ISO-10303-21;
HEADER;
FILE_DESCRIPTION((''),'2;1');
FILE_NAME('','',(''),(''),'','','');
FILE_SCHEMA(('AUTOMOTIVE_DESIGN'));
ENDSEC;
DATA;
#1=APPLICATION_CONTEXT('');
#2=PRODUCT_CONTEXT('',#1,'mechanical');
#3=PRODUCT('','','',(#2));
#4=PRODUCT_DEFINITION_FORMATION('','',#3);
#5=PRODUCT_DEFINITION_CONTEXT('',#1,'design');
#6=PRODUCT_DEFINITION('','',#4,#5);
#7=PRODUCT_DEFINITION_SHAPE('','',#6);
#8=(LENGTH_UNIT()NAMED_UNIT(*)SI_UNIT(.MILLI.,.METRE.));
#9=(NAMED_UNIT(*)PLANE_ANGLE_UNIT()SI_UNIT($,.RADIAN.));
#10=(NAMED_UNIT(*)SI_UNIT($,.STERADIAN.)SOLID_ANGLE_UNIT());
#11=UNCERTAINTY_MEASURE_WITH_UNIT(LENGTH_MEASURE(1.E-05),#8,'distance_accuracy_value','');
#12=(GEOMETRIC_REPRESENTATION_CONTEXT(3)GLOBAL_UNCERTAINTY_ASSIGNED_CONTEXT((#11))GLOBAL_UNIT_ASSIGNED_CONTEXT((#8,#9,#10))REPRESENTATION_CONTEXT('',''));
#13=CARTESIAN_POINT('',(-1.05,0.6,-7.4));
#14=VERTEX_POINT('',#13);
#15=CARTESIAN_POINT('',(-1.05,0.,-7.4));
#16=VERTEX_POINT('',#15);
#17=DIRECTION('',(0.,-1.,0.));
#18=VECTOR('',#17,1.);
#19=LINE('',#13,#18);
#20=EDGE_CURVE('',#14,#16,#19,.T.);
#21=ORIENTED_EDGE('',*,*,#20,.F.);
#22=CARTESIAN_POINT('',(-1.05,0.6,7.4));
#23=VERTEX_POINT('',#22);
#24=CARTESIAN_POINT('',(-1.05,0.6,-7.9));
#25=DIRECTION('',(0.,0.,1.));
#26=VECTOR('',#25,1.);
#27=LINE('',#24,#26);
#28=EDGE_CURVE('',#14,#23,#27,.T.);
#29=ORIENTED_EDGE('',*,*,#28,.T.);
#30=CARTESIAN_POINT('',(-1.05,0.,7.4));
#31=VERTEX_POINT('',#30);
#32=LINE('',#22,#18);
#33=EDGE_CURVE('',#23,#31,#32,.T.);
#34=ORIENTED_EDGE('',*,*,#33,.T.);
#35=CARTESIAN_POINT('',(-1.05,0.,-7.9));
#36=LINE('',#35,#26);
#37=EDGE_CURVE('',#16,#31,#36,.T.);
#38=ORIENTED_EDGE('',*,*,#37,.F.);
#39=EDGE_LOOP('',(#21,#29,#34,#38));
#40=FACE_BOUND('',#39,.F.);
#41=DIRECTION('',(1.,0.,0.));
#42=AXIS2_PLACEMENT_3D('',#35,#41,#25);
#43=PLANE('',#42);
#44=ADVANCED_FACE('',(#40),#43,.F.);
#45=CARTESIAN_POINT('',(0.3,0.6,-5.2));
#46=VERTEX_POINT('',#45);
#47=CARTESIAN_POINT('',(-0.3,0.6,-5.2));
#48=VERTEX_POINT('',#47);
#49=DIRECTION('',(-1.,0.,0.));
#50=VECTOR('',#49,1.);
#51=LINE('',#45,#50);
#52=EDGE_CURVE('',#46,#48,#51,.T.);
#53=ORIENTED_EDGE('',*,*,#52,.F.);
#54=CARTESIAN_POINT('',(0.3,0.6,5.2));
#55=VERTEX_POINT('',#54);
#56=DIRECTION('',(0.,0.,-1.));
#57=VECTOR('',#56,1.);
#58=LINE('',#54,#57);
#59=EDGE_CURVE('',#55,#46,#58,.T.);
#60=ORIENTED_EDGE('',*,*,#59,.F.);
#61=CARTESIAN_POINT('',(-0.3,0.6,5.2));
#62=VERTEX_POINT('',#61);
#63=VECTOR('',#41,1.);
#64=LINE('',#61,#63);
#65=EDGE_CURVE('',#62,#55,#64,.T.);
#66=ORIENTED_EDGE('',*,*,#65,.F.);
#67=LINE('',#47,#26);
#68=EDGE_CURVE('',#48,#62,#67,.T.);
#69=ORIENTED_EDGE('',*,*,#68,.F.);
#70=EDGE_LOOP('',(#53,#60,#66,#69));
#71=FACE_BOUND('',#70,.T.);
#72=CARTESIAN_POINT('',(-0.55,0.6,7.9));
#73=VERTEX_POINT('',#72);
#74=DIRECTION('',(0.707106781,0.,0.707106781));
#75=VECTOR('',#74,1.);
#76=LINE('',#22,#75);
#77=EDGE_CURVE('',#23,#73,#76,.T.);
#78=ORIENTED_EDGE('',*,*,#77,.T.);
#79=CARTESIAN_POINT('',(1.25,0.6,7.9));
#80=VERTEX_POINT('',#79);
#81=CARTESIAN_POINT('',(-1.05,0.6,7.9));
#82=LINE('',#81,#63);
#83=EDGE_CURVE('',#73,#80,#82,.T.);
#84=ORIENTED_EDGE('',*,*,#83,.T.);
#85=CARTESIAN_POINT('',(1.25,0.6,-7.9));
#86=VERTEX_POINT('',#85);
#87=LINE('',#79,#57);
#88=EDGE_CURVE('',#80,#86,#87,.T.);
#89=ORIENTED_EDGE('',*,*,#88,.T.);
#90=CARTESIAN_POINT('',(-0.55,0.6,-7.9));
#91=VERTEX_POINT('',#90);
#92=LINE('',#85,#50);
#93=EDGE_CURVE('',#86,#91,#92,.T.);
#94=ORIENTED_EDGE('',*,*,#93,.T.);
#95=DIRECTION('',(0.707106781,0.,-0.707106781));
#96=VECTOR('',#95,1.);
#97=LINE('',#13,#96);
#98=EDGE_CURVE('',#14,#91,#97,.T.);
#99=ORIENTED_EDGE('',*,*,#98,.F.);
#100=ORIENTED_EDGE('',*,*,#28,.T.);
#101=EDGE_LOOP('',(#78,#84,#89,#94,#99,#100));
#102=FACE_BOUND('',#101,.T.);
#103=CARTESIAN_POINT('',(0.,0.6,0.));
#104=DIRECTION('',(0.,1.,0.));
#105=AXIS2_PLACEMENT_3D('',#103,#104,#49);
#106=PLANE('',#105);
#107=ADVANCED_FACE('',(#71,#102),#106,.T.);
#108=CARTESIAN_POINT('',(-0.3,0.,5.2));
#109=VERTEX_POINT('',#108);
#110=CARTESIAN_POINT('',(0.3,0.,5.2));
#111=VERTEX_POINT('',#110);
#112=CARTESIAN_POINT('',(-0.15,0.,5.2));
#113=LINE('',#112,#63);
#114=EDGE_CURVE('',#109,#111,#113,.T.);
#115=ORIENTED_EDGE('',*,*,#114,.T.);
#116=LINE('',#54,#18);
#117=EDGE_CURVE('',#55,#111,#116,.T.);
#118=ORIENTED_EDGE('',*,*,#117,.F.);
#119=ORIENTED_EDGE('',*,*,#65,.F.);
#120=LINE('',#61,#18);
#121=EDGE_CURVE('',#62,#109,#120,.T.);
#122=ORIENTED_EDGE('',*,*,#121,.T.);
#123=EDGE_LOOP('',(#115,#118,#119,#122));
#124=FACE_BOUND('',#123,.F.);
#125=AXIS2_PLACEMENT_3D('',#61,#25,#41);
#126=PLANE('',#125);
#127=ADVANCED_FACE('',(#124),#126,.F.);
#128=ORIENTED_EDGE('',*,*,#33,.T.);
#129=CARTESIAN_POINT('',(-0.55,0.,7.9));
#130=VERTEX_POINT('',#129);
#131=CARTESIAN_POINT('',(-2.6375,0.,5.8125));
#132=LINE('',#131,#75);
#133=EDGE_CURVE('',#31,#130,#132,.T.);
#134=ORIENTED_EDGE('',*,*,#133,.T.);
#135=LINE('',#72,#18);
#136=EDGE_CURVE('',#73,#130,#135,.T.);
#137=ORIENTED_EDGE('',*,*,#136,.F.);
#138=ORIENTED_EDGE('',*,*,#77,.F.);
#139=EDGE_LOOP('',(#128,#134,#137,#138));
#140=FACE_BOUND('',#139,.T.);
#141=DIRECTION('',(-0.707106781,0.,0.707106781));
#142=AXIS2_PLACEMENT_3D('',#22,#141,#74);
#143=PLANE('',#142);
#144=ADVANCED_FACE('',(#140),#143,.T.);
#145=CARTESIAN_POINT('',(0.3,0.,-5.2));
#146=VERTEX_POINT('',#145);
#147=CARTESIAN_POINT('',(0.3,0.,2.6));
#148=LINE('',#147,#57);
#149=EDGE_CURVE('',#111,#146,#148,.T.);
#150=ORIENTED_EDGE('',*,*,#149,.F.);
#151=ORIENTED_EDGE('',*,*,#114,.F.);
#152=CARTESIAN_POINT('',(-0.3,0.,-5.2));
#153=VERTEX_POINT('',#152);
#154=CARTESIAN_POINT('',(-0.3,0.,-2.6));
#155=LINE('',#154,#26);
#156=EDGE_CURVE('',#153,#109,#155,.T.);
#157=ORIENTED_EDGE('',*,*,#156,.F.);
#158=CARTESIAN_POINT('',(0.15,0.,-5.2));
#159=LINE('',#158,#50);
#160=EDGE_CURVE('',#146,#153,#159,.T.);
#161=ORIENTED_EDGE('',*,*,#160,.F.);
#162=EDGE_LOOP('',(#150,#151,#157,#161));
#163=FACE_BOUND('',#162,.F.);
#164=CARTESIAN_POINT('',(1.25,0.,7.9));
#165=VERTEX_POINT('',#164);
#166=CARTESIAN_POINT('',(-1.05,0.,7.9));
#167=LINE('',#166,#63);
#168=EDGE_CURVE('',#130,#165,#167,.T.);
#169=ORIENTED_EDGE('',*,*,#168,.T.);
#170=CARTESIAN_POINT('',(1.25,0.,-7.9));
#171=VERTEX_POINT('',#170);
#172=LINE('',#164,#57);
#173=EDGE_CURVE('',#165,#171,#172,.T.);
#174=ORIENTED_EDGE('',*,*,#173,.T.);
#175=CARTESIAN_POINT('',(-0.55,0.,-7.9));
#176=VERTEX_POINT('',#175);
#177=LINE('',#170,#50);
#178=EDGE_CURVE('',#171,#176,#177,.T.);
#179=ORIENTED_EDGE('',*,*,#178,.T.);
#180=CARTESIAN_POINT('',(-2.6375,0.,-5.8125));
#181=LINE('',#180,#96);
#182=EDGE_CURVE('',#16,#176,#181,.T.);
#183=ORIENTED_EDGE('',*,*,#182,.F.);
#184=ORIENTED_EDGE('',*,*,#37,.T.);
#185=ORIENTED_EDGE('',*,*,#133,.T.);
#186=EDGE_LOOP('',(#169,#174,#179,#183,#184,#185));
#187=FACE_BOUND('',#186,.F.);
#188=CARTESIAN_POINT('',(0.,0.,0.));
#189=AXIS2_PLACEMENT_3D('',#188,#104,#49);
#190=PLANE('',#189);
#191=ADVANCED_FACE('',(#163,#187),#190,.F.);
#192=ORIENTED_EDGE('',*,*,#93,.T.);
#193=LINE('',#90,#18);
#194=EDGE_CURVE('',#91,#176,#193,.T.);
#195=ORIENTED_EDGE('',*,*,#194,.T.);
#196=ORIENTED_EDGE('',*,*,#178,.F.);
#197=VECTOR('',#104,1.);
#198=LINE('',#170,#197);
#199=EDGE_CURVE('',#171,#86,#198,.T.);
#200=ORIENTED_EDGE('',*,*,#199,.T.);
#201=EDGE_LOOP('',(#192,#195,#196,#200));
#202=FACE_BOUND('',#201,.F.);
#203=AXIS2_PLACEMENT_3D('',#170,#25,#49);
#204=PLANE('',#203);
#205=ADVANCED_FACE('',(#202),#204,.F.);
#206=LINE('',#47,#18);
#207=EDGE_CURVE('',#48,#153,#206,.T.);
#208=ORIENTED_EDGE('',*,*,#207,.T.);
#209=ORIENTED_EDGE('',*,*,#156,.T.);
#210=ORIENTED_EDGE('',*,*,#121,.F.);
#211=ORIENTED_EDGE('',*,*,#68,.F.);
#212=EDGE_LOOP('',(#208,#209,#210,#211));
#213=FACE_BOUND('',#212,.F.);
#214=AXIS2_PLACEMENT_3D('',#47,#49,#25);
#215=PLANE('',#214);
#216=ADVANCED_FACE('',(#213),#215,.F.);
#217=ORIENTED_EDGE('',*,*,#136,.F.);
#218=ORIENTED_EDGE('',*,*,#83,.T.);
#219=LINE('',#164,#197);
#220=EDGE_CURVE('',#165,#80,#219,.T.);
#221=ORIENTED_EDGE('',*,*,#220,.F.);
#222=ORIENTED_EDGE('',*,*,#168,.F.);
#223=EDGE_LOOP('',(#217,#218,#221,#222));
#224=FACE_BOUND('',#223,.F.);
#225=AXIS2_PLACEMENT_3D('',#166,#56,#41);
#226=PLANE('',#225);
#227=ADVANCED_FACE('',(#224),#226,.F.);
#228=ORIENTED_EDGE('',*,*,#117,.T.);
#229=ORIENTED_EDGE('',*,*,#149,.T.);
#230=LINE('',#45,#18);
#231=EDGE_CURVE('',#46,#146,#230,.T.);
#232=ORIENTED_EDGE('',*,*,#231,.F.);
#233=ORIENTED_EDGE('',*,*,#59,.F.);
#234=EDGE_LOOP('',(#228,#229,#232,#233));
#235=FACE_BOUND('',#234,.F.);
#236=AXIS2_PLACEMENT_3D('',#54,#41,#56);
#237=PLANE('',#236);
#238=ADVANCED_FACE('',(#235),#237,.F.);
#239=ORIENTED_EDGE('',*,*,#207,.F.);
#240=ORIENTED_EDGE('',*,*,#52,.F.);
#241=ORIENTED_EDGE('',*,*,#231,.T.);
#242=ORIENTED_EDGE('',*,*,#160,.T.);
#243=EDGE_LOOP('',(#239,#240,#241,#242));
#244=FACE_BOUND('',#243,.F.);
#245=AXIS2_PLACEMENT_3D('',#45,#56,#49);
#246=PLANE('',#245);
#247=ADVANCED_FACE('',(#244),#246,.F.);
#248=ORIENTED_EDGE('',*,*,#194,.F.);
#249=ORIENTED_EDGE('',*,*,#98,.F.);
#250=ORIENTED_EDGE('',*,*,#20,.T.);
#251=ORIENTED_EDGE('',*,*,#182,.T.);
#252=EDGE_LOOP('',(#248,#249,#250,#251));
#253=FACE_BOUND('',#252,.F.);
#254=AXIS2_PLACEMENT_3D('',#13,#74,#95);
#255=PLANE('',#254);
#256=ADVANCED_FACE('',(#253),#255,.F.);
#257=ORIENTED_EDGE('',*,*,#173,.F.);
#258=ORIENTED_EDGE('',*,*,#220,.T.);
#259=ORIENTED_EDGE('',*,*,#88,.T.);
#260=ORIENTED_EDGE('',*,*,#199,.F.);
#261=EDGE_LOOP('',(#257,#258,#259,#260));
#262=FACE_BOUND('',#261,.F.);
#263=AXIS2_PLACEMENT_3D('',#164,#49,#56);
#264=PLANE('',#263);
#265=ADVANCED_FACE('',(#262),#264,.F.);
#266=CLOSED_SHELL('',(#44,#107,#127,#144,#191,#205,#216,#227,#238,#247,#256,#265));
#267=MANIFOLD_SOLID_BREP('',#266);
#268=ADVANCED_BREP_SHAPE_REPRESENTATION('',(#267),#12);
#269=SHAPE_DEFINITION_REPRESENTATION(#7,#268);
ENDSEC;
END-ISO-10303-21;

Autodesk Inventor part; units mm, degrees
ref_plane "YZ Plane" through (0, 0, 0) normal (1, 0, 0) x (0, 1, 0)
ref_plane "XZ Plane" through (0, 0, 0) normal (0, 1, 0) x (-1, 0, 0)
ref_plane "XY Plane" through (0, 0, 0) normal (0, 0, 1) x (1, 0, 0)
sketch "Sketch1" plane through (0, 0, 0) normal (0, 1, 0) x (-1, 0, 0)
  line L0 (-1.25, -7.9) -> (1.05, -7.9)
  line L1 (1.05, -7.9) -> (1.05, 7.9)
  line L2 (1.05, 7.9) -> (-1.25, 7.9)
  line L3 (-1.25, 7.9) -> (-1.25, -7.9)
  point P0 (0, 0)
  dimension "d0" = 15.8
  dimension "d7" = 1.05
  dimension "d8" = 1.25
  dimension "d15" = 7.9
extrude "Extrusion1" add sketch "Sketch1" along normal blind 0.6
sketch "Sketch2" plane through (0, 0.6, 0) normal (0, 1, 0) x (1, 0, 0)
  line L0 (0.3, 5.2) -> (-0.3, 5.2)
  line L1 (-0.3, 5.2) -> (-0.3, -5.2)
  line L2 (-0.3, -5.2) -> (0.3, -5.2)
  line L3 (0.3, -5.2) -> (0.3, 5.2)
  line L4 (0.3, 5.2) -> (-0.3, -5.2) construction
  line L5 (-0.3, 5.2) -> (0.3, -5.2) construction
  point P0 (0, 0)
  dimension "d3" = 0.6
  dimension "d4" = 10.4
extrude "Extrusion2" cut sketch "Sketch2" against normal through all
sketch "Sketch3" plane through (0, 0.6, 0) normal (0, 1, 0) x (1, 0, 0)
  line L0 (-1.05, 7.9) -> (-1.05, -7.9) projected
  line L1 (-1.05, -7.4) -> (-0.55, -7.9)
  line L2 (-1.05, -7.9) -> (1.25, -7.9) projected
  line L3 (1.25, 7.9) -> (-1.05, 7.9) projected
  line L4 (-1.05, 7.4) -> (-0.55, 7.9)
  point P0 (0, 0)
  dimension "d9" = 0.5
  dimension "d10" = 0.5
  dimension "d11" = 0.5
  dimension "d12" = 0.5
extrude "Extrusion3" cut sketch "Sketch3" against normal through all
equation "\"d15\" = 0.5 * d0"
properties part number "insert spacer - v4c"
